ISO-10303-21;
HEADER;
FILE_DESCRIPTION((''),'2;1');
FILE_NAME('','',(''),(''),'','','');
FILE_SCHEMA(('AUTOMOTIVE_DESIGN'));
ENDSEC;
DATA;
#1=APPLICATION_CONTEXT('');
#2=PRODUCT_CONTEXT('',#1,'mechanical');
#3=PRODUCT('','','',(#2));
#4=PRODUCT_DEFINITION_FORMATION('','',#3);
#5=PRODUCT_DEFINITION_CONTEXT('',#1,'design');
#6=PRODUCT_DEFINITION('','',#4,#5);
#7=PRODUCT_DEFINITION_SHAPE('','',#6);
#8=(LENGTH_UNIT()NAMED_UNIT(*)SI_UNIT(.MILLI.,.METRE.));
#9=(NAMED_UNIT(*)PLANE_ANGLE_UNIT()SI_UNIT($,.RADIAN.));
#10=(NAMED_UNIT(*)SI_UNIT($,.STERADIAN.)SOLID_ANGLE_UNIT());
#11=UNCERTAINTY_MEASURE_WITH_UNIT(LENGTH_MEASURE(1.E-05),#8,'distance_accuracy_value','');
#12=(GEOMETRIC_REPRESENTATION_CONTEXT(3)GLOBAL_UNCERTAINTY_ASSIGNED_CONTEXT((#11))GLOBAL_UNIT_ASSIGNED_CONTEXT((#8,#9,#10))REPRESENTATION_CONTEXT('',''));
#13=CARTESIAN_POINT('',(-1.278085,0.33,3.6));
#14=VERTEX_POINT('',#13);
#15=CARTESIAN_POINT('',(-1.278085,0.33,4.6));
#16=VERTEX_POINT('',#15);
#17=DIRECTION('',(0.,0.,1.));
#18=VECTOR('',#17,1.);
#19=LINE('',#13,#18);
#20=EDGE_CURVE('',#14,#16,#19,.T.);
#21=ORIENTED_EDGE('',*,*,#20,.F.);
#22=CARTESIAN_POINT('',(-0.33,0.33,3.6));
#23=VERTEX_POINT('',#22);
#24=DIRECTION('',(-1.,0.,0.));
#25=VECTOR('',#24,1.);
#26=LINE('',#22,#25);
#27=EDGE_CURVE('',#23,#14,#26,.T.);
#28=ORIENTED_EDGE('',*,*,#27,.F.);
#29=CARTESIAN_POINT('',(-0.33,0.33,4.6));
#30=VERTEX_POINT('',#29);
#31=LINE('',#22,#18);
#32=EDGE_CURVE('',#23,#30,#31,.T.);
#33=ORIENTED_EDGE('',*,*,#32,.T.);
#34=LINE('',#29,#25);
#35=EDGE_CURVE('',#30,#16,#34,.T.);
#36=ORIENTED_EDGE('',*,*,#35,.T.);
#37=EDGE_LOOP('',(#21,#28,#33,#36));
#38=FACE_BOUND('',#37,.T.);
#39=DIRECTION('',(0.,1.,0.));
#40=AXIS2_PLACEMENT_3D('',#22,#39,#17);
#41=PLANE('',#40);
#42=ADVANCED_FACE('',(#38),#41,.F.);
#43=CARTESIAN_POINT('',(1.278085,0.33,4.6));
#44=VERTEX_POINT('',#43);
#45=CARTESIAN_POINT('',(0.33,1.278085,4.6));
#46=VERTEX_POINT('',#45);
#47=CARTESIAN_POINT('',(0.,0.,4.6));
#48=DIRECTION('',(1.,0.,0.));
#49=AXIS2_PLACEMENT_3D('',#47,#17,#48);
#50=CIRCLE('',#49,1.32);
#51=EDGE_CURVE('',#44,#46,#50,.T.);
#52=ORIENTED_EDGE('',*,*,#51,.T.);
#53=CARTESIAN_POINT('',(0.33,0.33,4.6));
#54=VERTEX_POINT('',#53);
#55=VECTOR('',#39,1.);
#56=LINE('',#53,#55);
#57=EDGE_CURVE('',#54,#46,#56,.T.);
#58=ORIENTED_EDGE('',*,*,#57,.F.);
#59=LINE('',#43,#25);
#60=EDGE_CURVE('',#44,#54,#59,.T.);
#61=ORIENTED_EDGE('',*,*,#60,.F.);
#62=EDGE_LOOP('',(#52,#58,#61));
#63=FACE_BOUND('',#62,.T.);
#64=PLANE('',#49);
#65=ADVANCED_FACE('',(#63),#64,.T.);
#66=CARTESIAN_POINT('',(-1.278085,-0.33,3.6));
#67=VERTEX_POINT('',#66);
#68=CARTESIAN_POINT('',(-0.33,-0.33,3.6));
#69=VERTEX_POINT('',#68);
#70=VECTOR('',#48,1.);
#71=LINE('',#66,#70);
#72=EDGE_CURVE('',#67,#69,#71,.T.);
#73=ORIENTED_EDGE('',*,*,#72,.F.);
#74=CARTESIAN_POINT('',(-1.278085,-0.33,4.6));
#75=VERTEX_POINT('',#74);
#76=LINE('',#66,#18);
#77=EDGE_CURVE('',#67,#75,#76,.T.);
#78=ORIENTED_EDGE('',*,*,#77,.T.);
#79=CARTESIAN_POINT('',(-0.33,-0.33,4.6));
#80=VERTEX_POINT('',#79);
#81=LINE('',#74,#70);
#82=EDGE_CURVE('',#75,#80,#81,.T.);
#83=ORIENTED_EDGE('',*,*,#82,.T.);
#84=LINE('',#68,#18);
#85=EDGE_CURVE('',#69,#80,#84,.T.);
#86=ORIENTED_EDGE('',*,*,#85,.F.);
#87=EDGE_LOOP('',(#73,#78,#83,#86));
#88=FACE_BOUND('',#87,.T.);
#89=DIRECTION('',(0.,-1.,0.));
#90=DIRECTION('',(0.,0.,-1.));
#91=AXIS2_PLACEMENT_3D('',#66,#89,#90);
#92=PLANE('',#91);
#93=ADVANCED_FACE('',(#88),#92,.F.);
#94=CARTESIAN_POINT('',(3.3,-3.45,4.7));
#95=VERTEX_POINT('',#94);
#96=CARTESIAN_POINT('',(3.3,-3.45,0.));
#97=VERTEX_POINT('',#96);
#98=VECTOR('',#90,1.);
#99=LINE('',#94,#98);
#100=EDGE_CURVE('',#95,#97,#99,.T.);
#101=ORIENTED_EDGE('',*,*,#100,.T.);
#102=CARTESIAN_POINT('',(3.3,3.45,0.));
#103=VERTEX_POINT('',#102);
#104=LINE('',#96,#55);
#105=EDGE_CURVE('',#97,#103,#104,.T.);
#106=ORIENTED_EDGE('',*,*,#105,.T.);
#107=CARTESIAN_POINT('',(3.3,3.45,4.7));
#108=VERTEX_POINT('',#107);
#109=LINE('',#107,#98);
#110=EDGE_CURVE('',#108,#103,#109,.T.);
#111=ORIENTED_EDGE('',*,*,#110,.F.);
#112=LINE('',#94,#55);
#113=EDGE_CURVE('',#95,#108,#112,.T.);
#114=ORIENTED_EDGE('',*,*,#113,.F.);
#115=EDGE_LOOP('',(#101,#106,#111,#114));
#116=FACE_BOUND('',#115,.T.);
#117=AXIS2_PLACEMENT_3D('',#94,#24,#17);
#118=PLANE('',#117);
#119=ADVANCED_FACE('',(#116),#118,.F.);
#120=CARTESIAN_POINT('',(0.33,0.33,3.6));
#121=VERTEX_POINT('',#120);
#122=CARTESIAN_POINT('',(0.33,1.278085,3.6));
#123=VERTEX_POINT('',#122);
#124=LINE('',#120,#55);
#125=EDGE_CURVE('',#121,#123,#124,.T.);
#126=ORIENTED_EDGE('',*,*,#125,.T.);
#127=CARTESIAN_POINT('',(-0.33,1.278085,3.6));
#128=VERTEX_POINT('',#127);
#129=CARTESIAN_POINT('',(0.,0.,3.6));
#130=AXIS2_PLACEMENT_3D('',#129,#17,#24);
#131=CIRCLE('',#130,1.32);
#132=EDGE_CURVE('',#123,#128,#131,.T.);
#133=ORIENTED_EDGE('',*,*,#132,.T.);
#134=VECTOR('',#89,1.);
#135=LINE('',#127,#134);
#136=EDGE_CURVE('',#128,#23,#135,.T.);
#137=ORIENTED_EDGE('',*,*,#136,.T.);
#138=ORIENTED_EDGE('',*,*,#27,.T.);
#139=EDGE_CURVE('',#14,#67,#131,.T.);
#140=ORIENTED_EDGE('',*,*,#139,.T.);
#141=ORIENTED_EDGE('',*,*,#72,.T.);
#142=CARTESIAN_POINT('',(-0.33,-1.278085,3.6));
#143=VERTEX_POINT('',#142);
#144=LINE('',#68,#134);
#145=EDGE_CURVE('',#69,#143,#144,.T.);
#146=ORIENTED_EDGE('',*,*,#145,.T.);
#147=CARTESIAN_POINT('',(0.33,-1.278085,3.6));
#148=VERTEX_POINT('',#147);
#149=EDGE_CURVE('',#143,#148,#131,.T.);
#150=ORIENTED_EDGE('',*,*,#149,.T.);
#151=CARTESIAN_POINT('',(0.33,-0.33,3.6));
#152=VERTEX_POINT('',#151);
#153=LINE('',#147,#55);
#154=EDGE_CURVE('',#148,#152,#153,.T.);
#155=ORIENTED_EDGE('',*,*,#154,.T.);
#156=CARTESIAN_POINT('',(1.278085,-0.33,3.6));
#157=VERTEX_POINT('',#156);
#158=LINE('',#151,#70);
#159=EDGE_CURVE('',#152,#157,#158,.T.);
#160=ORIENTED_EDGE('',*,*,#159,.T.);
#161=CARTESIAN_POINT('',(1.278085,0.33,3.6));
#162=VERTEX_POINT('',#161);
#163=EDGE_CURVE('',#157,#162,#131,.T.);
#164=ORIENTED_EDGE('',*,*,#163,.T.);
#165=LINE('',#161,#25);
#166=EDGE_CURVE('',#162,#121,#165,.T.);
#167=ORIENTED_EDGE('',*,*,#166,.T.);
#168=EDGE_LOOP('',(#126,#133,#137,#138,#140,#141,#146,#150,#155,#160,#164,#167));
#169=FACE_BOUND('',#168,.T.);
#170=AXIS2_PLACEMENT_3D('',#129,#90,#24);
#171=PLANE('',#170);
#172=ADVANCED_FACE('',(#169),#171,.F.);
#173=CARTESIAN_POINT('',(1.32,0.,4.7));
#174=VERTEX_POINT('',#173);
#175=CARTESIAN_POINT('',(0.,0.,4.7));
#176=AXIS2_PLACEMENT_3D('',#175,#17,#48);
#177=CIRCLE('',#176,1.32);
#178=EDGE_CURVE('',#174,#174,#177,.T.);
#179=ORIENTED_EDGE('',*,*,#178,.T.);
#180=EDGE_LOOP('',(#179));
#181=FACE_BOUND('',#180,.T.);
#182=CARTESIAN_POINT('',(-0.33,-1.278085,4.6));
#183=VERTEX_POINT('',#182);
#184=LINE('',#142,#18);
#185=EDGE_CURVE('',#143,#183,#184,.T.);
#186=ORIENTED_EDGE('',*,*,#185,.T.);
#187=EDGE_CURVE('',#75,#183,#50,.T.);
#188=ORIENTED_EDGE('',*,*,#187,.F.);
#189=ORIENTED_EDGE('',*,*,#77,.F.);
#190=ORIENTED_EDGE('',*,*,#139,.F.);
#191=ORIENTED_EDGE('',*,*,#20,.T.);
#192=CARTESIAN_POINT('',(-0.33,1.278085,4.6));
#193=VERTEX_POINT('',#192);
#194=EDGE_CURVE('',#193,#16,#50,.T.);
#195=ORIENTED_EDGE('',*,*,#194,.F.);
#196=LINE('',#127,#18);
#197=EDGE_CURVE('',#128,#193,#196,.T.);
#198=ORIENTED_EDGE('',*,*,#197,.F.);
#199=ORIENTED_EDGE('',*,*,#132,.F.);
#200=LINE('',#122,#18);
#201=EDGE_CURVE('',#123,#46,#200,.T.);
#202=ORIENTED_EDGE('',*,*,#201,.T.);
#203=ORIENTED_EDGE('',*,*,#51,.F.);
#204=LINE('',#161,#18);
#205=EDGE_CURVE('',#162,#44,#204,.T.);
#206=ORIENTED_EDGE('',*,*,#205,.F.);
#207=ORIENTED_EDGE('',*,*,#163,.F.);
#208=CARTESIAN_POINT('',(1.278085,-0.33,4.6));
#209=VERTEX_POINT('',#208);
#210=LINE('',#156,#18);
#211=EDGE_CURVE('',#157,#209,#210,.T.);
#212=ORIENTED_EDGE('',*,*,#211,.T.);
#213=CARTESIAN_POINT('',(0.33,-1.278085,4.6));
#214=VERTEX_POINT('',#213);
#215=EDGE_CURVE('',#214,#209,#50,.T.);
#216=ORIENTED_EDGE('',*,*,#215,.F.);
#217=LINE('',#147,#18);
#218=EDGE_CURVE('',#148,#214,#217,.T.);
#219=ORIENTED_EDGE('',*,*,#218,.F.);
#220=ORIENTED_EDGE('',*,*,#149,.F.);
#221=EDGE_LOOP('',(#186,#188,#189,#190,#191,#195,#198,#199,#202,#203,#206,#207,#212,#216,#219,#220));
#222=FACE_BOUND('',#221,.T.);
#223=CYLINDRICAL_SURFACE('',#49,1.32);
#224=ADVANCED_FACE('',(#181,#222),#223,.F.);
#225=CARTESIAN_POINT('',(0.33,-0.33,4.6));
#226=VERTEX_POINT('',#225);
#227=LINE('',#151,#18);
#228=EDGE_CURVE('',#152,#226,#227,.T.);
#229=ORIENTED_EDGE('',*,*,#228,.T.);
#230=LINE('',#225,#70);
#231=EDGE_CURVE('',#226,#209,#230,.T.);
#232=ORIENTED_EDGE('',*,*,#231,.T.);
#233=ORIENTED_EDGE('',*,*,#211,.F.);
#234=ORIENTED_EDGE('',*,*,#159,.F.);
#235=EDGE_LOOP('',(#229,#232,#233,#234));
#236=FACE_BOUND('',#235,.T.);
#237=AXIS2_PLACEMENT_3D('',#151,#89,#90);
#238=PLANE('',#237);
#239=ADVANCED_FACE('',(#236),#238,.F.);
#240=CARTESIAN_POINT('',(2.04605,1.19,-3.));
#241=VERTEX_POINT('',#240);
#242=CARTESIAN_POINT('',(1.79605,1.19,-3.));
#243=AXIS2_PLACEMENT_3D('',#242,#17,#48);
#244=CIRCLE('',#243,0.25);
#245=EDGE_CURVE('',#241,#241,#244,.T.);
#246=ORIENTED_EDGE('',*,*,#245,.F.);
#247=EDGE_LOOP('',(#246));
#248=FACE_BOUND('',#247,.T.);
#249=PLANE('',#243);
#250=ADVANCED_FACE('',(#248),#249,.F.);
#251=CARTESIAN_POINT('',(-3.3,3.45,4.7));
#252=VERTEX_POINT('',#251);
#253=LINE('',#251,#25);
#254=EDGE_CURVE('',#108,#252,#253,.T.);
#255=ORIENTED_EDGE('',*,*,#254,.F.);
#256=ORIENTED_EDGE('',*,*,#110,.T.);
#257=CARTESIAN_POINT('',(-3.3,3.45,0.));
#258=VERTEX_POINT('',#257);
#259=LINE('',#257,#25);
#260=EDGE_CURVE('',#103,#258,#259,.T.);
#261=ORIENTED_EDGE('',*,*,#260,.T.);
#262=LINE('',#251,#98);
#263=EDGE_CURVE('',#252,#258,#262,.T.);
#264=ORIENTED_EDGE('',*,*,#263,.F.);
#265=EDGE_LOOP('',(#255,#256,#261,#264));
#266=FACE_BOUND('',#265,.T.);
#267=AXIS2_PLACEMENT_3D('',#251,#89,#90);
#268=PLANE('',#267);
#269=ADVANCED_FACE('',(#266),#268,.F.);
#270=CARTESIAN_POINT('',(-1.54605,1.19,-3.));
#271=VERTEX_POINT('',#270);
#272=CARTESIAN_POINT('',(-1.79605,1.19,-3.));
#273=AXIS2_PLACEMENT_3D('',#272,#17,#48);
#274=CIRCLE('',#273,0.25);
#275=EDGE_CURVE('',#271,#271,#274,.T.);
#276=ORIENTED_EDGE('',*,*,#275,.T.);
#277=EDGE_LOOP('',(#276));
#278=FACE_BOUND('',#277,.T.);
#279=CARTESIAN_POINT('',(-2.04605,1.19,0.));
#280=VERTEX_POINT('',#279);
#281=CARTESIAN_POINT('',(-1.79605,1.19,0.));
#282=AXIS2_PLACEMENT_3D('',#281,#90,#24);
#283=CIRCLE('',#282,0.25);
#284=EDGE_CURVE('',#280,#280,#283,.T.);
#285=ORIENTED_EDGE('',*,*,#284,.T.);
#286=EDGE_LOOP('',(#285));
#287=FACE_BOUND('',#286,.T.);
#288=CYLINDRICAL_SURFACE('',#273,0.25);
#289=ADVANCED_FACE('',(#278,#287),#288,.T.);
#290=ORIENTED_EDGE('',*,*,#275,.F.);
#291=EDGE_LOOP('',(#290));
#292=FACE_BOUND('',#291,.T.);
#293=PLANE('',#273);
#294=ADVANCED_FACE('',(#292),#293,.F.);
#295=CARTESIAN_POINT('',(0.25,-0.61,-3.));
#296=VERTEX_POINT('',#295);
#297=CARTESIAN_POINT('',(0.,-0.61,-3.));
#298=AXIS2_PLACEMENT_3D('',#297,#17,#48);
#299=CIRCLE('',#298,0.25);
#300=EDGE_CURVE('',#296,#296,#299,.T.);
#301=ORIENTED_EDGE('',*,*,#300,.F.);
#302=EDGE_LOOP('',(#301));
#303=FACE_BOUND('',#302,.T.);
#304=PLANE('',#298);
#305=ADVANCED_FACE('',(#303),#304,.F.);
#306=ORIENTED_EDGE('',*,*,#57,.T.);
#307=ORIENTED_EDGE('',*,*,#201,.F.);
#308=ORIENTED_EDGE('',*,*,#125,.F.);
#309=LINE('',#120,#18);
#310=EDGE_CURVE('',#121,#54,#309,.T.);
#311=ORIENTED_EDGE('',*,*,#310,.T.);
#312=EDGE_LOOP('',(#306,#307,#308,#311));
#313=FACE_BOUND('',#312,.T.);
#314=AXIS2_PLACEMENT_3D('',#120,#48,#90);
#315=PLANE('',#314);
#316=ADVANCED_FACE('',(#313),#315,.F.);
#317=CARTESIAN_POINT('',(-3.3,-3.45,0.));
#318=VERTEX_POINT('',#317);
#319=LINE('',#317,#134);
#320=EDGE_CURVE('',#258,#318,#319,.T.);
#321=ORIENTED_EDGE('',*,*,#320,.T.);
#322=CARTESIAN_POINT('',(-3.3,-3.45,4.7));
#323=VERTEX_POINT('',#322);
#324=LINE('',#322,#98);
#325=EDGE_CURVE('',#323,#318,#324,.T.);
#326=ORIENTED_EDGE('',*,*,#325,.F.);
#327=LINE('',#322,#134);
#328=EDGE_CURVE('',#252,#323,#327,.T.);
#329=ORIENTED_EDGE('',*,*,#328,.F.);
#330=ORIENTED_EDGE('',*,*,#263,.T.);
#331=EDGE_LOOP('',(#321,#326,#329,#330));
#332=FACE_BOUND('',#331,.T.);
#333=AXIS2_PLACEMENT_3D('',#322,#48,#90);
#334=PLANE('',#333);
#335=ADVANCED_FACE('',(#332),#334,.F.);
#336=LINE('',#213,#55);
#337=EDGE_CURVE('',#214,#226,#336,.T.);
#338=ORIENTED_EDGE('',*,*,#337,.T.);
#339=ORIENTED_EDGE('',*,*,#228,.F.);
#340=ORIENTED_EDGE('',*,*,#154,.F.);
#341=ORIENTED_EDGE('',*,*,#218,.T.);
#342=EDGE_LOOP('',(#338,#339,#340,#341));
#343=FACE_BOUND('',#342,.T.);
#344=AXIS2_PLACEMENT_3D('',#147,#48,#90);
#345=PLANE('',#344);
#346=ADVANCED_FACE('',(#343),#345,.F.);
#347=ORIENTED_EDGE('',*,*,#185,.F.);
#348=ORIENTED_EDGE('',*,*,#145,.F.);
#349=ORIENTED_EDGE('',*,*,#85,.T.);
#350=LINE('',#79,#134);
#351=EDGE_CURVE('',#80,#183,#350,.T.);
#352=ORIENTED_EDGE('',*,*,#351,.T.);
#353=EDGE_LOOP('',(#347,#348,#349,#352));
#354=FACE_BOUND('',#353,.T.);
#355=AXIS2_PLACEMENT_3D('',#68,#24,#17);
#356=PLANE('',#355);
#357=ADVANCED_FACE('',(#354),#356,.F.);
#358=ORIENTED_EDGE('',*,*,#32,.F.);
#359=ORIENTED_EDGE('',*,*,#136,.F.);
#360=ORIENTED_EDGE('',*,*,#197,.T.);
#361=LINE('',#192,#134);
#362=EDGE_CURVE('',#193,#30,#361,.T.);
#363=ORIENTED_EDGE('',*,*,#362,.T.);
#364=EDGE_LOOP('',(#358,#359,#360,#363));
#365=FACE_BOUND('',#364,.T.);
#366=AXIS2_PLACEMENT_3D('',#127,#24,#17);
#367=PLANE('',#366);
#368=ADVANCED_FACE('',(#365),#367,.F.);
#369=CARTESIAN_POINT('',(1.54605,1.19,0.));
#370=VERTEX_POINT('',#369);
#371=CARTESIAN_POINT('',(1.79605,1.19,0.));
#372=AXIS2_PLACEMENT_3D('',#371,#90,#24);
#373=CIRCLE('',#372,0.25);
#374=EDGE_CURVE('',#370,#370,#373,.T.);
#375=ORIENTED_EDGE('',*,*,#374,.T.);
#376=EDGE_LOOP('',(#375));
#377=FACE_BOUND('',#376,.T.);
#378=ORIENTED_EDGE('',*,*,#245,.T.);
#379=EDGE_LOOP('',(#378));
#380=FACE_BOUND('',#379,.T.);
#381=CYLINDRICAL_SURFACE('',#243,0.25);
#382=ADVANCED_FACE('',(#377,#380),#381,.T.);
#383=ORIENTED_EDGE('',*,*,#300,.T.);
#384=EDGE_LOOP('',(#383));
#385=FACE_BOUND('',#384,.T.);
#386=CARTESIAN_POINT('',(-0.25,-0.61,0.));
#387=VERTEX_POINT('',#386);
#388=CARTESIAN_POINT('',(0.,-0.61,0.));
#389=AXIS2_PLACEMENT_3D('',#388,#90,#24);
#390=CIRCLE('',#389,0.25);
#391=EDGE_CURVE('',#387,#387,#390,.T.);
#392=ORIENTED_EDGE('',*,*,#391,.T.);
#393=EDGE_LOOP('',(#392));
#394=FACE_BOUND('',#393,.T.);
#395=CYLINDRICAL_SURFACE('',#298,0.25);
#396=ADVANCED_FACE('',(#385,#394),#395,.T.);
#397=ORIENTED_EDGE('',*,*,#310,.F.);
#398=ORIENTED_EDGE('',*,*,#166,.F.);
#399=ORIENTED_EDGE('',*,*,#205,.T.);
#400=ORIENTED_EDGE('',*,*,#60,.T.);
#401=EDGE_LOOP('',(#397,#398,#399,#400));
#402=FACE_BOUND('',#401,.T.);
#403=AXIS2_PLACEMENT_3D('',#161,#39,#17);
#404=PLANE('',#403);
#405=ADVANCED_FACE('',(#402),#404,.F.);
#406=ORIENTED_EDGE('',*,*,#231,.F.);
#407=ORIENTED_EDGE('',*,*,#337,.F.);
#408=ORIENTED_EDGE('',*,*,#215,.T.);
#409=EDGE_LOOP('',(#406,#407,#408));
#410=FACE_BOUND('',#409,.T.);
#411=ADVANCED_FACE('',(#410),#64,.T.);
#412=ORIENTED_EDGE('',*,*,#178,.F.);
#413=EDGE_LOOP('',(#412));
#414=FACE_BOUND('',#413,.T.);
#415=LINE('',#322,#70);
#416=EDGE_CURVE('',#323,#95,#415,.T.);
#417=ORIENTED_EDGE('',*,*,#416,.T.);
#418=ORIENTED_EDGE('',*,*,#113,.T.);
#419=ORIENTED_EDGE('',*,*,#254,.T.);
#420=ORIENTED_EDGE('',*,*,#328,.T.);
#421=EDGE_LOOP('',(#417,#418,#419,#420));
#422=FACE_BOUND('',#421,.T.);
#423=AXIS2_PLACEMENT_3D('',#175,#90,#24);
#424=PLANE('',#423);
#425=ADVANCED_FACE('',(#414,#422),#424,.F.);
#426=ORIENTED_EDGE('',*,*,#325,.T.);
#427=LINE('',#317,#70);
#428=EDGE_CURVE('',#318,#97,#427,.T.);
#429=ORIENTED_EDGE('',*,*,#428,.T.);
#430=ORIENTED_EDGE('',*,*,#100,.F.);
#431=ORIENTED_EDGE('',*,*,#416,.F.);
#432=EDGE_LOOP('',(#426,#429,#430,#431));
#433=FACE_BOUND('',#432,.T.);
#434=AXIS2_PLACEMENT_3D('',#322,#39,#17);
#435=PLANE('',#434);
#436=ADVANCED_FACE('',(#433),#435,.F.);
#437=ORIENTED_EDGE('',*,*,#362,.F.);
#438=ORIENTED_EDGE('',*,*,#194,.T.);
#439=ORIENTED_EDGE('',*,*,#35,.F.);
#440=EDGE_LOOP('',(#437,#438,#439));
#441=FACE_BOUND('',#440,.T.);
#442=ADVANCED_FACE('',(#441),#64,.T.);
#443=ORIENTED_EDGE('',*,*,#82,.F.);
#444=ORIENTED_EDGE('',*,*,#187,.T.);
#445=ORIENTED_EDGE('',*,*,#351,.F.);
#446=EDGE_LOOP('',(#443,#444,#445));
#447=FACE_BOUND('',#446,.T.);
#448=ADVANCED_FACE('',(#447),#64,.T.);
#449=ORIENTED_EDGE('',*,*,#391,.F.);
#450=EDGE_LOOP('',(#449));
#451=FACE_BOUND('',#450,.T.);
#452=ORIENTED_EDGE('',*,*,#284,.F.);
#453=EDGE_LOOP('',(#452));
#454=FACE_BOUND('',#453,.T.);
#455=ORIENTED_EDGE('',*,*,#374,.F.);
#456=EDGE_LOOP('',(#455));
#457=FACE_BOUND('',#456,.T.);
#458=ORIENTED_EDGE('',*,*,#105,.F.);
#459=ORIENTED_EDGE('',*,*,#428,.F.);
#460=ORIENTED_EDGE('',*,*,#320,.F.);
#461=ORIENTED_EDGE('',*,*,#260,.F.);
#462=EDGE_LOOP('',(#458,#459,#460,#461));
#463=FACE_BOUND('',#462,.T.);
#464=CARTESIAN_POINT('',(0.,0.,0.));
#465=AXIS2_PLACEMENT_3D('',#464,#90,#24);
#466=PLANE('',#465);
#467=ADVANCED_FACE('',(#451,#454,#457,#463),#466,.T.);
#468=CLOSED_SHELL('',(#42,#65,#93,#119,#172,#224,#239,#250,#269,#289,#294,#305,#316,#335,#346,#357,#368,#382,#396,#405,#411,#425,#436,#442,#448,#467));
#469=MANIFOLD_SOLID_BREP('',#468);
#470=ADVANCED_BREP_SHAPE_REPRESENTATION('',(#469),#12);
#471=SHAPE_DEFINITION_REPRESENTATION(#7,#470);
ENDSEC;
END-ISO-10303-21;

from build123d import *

# Parameters (mm, degrees)
SKETCH_1_W          = 6.6
SKETCH_1_H          = 6.9
EXTRUDE_1_DEPTH     = 4.7
SKETCH_2_R          = 1.32
CUT_EXTRUDE_1_DEPTH = 0.1
CUT_EXTRUDE_2_DEPTH = 1
SKETCH_4_R          = 0.25
EXTRUDE_2_DEPTH     = 3


with BuildPart() as part:
    # Эскиз1 → Бобышка-Вытянуть1 (new body)
    with BuildSketch(Plane.XY):
        Rectangle(SKETCH_1_W, SKETCH_1_H)
    extrude(amount=EXTRUDE_1_DEPTH)

    # Эскиз2 → Вырез-Вытянуть1 (cut)
    with BuildSketch(Plane.XY.offset(4.7)):
        Circle(SKETCH_2_R)
    extrude(amount=-CUT_EXTRUDE_1_DEPTH, mode=Mode.SUBTRACT)

    # Эскиз3 → Вырез-Вытянуть2 (cut)
    with BuildSketch(Plane.XY.offset(4.6)):
        with BuildLine():
            Line((-0.33, 1.278084504), (-0.33, 0.33))
            Line((-0.33, 0.33), (-1.278084504, 0.33))
            ThreePointArc((-1.278084504, 0.33), (-1.32, 0), (-1.278084504, -0.33))
            Line((-1.278084504, -0.33), (-0.33, -0.33))
            Line((-0.33, -0.33), (-0.33, -1.278084504))
            ThreePointArc((-0.33, -1.278084504), (0, -1.32), (0.33, -1.278084504))
            Line((0.33, -1.278084504), (0.33, -0.33))
            Line((0.33, -0.33), (1.278084504, -0.33))
            ThreePointArc((1.278084504, -0.33), (1.32, 0), (1.278084504, 0.33))
            Line((1.278084504, 0.33), (0.33, 0.33))
            Line((0.33, 0.33), (0.33, 1.278084504))
            ThreePointArc((0.33, 1.278084504), (0, 1.32), (-0.33, 1.278084504))
        make_face()
    extrude(amount=-CUT_EXTRUDE_2_DEPTH, mode=Mode.SUBTRACT)

    # Эскиз4 → Бобышка-Вытянуть2 (add)
    with BuildSketch(Plane.XY):
        with Locations((1.79605, 1.19)):
            Circle(SKETCH_4_R)
        with Locations((-1.79605, 1.19)):
            Circle(SKETCH_4_R)
        with Locations((0, -0.61)):
            Circle(SKETCH_4_R)
    extrude(amount=-EXTRUDE_2_DEPTH)


solid = part.part
